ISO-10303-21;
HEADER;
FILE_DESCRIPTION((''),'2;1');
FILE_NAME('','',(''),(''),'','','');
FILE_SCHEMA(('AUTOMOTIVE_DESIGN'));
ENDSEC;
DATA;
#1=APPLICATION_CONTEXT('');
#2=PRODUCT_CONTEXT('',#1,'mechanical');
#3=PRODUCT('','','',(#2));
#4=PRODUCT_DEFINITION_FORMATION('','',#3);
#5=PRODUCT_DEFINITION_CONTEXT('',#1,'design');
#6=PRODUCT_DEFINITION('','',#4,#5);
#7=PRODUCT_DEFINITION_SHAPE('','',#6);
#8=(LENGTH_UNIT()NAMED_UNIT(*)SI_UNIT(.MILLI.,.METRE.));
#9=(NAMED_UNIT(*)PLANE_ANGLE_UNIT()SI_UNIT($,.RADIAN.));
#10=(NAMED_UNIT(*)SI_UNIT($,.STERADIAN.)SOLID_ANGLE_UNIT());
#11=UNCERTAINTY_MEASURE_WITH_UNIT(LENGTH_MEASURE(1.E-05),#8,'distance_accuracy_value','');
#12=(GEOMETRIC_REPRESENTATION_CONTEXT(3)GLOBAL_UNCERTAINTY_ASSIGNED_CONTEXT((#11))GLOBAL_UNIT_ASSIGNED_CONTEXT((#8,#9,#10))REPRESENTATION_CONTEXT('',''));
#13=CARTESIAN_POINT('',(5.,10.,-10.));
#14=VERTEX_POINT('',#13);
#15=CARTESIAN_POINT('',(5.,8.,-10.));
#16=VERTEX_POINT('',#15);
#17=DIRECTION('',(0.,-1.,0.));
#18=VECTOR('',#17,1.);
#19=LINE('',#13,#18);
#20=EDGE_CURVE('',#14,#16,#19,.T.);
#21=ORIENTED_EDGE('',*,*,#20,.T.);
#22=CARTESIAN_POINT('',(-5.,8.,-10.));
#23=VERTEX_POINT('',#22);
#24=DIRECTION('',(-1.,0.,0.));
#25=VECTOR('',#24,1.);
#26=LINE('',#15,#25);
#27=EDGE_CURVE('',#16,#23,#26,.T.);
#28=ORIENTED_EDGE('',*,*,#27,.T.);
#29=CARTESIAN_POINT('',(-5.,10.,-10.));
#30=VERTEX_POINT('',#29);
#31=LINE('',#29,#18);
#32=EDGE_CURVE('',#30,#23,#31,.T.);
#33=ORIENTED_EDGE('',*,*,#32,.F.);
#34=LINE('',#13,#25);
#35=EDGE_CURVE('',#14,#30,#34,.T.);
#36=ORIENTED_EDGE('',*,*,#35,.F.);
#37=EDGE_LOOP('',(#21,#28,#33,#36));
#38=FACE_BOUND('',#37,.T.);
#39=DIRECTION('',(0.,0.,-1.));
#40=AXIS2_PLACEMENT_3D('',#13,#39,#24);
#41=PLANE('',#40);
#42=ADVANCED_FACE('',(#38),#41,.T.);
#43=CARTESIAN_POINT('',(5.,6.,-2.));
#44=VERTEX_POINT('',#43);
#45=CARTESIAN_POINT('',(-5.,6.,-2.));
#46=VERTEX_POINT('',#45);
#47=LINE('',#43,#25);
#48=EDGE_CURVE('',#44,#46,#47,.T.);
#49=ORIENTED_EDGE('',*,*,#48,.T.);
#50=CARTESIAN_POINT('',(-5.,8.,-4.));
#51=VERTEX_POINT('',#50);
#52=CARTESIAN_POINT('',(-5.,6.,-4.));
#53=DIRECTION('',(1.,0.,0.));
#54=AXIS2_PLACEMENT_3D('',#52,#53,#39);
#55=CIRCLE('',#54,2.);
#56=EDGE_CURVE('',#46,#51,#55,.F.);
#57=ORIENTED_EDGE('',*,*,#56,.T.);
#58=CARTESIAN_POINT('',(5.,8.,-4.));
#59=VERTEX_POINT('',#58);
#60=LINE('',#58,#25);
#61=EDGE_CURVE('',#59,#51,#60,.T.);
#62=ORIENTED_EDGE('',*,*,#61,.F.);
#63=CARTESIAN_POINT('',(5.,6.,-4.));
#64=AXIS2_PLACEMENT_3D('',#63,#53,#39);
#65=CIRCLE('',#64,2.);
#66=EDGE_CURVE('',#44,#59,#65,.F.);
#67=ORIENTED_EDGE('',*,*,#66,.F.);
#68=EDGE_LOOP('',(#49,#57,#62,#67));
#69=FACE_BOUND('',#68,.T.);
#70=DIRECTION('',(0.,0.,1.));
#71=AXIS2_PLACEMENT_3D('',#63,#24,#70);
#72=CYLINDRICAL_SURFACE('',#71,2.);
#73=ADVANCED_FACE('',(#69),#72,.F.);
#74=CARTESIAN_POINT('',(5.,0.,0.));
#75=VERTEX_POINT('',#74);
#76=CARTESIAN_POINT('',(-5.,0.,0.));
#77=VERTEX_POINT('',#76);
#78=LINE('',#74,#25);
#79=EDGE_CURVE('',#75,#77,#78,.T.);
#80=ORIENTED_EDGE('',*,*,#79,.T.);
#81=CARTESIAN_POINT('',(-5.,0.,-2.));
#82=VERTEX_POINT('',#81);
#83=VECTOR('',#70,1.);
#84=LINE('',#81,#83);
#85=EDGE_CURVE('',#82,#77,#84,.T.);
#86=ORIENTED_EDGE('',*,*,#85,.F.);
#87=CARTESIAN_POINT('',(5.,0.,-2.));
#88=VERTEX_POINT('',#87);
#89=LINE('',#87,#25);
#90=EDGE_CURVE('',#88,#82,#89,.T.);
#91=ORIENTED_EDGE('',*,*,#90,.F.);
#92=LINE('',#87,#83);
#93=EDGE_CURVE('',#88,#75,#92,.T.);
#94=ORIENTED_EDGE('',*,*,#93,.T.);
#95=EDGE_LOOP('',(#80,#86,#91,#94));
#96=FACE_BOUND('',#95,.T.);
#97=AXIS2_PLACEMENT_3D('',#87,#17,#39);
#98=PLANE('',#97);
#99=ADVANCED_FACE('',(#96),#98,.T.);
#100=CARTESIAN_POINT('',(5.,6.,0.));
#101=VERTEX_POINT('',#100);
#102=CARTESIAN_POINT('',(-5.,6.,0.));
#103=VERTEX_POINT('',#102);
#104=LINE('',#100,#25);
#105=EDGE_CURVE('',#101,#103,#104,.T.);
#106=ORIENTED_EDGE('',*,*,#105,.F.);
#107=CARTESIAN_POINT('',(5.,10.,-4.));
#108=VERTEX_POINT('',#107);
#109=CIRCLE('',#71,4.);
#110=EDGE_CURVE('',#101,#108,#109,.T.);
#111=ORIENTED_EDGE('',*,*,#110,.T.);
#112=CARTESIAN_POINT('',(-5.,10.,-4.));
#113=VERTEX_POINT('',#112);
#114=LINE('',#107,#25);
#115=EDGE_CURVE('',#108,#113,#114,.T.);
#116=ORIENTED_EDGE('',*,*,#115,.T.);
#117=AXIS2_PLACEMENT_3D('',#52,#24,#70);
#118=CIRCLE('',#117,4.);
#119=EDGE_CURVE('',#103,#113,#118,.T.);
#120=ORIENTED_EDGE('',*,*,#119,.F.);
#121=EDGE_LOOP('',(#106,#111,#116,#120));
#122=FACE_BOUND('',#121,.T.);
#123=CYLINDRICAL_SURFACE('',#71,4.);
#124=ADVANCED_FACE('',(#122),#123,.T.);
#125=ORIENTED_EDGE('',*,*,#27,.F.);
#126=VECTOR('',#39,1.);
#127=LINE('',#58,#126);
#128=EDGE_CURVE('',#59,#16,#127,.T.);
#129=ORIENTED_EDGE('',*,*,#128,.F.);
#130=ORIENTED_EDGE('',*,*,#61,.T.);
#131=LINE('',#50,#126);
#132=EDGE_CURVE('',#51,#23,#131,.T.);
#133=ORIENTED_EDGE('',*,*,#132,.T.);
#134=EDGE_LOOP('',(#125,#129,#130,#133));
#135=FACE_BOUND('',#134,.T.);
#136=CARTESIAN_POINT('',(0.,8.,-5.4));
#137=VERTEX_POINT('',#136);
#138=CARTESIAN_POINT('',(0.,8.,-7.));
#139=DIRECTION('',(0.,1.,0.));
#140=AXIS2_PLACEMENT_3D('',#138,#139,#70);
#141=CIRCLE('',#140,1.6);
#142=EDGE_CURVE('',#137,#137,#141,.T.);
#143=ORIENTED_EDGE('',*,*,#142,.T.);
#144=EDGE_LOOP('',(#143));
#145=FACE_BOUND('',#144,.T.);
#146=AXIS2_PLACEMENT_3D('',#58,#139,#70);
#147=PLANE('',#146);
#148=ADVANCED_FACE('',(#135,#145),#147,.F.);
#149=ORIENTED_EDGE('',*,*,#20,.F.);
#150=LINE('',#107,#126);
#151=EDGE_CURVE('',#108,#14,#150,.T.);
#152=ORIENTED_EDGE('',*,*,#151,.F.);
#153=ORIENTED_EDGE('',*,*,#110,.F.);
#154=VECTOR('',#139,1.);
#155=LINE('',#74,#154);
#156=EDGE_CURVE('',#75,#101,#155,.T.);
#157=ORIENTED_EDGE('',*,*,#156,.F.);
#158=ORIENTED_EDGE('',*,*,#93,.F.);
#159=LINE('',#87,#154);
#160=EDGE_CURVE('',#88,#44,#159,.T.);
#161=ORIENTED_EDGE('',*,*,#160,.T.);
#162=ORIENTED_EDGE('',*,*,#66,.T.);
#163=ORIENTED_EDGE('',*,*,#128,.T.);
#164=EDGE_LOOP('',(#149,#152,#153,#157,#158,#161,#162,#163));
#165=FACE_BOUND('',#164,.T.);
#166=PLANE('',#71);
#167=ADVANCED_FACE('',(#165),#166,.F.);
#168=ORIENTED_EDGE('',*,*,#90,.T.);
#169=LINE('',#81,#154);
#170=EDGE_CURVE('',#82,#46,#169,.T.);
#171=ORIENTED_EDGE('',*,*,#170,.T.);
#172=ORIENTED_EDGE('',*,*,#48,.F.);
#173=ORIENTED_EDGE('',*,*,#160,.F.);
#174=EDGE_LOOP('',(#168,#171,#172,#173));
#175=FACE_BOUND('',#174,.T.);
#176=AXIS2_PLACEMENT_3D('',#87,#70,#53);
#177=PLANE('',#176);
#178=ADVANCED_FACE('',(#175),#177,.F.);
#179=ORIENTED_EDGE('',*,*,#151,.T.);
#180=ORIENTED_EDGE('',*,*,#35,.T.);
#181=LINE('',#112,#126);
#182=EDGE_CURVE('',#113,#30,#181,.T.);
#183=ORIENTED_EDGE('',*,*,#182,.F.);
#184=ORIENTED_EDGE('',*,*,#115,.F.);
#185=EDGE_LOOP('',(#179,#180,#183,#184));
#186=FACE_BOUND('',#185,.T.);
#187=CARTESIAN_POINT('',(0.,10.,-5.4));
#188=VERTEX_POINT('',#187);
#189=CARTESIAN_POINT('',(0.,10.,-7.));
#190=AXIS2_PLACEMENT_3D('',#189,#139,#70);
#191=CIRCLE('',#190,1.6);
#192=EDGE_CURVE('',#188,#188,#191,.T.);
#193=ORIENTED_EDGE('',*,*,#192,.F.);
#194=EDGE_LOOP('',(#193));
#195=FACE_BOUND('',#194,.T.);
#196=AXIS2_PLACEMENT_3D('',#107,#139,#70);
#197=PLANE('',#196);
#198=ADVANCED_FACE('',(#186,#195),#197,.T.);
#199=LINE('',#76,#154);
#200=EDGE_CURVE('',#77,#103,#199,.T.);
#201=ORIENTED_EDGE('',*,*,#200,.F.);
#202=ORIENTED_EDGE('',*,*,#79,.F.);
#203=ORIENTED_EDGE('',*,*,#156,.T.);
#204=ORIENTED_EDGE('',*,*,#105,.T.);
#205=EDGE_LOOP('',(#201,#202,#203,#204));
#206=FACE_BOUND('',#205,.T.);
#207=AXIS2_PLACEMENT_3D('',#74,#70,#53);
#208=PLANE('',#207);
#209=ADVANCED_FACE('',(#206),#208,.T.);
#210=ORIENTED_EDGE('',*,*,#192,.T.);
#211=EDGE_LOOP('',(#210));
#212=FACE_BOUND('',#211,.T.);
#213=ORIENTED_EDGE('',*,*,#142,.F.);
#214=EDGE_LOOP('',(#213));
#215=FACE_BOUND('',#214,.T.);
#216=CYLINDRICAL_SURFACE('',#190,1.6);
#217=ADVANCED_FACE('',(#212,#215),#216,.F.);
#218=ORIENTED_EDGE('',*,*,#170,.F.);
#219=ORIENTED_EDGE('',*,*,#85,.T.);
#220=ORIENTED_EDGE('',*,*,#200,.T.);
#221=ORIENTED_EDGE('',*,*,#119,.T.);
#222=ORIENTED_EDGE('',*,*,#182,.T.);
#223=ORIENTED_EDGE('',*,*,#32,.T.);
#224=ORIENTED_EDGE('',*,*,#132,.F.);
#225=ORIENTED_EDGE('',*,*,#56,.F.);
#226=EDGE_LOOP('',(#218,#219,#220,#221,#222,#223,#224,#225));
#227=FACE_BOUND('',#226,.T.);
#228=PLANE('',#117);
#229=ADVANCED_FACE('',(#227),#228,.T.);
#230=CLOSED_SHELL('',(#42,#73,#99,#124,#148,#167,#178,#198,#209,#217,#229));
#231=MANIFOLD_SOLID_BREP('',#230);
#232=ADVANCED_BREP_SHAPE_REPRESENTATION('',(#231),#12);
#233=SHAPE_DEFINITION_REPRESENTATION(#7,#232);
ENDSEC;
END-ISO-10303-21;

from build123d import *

# Parameters (mm, degrees)
EXTRUDE_1_DEPTH    = 5
HOLE_WIZARD_M3_1_D = 3.2


with BuildPart() as part:
    # 草图1 → 拉伸-薄壁1 (new, symmetric)
    with BuildSketch(Plane(origin=(0, 0, 0), x_dir=(0, 0, -1), z_dir=(1, 0, 0))):
        with BuildLine():
            Line((0, 0), (0, 6))
            ThreePointArc((0, 6), (1.171572875, 8.828427125), (4, 10))
            Line((4, 10), (10, 10))
            Line((10, 10), (10, 8))
            Line((10, 8), (4, 8))
            ThreePointArc((4, 8), (2.585786438, 7.414213562), (2, 6))
            Line((2, 6), (2, 0))
            Line((2, 0), (0, 0))
        make_face()
    extrude(amount=EXTRUDE_1_DEPTH, both=True)

    # M3 间隙孔1 (through all)
    with Locations(Plane(origin=(0, 10, 0), x_dir=(1, 0, 0), z_dir=(0, 1, 0))):
        with Locations((0, 7)):
            Hole(HOLE_WIZARD_M3_1_D / 2)


solid = part.part
